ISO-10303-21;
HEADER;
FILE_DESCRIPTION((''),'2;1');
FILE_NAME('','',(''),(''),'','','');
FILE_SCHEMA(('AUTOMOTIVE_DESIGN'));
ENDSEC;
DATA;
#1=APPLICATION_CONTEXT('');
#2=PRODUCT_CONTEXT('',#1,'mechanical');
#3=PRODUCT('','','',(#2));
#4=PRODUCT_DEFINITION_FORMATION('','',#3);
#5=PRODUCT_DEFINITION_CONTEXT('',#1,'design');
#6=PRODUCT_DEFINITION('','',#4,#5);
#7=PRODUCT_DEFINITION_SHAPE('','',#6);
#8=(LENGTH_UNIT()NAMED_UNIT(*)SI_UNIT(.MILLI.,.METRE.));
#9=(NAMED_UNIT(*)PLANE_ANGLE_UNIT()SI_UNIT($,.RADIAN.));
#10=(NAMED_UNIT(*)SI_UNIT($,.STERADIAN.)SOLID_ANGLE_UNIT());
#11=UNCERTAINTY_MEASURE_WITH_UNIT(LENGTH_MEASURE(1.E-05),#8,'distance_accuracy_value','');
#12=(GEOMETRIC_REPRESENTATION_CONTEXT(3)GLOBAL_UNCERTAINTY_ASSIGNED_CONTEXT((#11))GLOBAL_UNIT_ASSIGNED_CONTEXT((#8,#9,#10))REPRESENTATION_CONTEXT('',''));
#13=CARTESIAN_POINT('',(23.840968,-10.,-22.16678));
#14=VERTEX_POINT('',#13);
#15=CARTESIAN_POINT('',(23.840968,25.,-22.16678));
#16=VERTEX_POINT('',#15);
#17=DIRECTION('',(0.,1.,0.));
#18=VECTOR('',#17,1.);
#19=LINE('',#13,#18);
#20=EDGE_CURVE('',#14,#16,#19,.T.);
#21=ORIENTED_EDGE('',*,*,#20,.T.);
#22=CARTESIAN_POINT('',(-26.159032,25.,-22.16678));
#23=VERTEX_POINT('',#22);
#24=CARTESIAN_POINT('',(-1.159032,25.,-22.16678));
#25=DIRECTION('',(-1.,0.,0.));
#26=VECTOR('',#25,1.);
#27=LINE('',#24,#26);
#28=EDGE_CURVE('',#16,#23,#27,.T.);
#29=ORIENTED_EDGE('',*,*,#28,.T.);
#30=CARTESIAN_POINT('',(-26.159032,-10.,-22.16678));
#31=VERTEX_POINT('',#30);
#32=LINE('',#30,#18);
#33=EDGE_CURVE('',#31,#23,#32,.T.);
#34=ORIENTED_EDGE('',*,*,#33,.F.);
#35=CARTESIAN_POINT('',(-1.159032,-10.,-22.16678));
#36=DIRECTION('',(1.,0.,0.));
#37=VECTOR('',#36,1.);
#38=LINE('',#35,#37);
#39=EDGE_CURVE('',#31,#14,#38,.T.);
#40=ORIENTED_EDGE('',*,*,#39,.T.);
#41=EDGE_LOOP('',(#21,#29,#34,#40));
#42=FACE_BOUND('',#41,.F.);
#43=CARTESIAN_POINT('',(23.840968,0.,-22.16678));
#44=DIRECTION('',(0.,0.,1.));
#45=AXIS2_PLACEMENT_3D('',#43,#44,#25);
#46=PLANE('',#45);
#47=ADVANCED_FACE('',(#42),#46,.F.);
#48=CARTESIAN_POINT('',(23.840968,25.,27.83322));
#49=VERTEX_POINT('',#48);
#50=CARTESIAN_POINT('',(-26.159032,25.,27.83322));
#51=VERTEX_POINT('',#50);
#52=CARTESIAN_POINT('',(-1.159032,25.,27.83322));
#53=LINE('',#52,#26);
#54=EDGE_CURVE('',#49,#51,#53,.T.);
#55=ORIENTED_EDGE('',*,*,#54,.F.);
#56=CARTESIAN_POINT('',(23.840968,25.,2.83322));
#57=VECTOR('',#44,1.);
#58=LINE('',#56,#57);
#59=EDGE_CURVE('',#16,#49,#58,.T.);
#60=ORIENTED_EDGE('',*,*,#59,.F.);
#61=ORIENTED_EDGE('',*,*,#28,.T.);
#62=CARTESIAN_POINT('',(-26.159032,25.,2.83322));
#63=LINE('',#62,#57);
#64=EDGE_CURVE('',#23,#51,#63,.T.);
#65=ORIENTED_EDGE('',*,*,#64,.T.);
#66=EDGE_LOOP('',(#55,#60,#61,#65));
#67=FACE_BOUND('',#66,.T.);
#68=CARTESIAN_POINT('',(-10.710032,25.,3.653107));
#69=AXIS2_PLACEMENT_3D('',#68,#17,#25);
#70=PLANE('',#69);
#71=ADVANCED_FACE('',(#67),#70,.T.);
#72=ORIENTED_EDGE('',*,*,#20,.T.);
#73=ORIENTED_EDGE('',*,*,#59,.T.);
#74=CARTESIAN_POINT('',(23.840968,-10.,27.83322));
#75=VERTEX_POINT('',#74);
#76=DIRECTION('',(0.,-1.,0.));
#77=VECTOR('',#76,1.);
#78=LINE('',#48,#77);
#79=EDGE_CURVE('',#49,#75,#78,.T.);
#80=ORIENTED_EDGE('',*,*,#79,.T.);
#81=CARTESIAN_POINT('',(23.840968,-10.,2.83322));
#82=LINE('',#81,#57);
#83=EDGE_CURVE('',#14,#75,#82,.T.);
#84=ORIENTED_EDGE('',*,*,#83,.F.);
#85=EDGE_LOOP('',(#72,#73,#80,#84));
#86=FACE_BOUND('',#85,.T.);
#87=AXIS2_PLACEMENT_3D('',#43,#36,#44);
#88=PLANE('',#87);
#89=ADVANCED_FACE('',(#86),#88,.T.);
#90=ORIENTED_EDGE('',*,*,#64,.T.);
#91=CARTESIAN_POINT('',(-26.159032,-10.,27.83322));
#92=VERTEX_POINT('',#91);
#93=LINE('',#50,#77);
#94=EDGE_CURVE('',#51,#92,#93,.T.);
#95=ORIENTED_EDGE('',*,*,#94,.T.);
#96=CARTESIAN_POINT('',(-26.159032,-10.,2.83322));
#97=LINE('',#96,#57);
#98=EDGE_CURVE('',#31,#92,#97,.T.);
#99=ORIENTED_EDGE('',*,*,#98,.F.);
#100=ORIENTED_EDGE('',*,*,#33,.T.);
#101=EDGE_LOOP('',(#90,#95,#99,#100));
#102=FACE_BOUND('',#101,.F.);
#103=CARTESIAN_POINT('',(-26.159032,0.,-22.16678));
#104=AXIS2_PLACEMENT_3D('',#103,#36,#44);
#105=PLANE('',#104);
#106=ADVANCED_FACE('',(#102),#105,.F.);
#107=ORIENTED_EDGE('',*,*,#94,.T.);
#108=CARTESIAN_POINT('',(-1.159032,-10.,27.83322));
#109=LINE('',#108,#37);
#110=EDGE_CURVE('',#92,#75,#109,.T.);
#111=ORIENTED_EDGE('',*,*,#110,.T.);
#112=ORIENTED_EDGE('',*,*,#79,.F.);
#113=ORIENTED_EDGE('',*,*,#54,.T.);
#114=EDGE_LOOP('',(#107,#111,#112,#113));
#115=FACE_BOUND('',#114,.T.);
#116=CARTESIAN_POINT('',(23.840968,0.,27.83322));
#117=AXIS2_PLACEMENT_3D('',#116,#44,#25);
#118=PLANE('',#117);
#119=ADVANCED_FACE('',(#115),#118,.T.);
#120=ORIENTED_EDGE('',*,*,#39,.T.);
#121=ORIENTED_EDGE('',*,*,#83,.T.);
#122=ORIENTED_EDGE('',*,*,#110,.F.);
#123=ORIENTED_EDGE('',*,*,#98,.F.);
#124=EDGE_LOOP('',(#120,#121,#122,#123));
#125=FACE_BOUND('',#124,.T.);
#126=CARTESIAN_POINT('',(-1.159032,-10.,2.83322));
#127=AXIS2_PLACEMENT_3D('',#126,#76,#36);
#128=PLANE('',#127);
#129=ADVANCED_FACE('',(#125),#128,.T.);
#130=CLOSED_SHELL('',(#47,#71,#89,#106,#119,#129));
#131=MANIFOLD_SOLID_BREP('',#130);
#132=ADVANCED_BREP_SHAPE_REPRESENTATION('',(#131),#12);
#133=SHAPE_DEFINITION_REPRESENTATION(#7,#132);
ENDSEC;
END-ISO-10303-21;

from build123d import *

# Parameters (mm, degrees)
F0_W      = 50
F0_H      = 50
F1_DEPTH  = 10
F4_W      = 8.573553
F4_H      = 29.909224
F4_W_2    = 50
F4_H_2    = 50
F4_W_3    = 8.573554
F3_W      = 8.573554
F3_H      = 29.909224
F2_W      = 8.573554
F2_H      = 29.909224
F1_FACE_W = 50
F1_FACE_H = 50
F5_DEPTH  = 25


with BuildPart() as f1:
    # F0 (on Front) → F1 (new body)
    with BuildSketch(Plane.XZ):
        with Locations((-1.159032, 2.83322)):
            Rectangle(F0_W, F0_H)
    extrude(amount=F1_DEPTH)

    # F4 (on face) + F3 (on face) + F2 (on face) + F1_face (on face) → F5 (join)
    with BuildSketch(Plane(origin=(0, 0, 0), x_dir=(-1, 0, 0), z_dir=(0, 1, 0))):
        with Locations((10.710032, 3.653107)):
            Rectangle(F4_W, F4_H)
        with Locations((1.159032, 2.83322)):
            Rectangle(F4_W_2, F4_H_2)
        with Locations((-11.319989, 3.952037)):
            Rectangle(F4_W_3, F4_H, mode=Mode.SUBTRACT)
        with Locations((10.710032, 3.653107)):
            Rectangle(F4_W, F4_H, mode=Mode.SUBTRACT)
        with Locations((-11.319989, 3.952037)):
            Rectangle(F4_W_3, F4_H)
    with BuildSketch(Plane(origin=(0, 0, 0), x_dir=(-1, 0, 0), z_dir=(0, 1, 0))):
        with Locations((-11.319989, 3.952037)):
            Rectangle(F3_W, F3_H)
    with BuildSketch(Plane(origin=(0, 0, 0), x_dir=(-1, 0, 0), z_dir=(0, 1, 0))):
        with Locations((-11.319989, 3.952037)):
            Rectangle(F2_W, F2_H)
    with BuildSketch(Plane(origin=(-1.159032, 0, 2.83322), x_dir=(1, 0, 0), z_dir=(0, 1, 0))):
        Rectangle(F1_FACE_W, F1_FACE_H)
    extrude(amount=F5_DEPTH)


solid = f1.part
